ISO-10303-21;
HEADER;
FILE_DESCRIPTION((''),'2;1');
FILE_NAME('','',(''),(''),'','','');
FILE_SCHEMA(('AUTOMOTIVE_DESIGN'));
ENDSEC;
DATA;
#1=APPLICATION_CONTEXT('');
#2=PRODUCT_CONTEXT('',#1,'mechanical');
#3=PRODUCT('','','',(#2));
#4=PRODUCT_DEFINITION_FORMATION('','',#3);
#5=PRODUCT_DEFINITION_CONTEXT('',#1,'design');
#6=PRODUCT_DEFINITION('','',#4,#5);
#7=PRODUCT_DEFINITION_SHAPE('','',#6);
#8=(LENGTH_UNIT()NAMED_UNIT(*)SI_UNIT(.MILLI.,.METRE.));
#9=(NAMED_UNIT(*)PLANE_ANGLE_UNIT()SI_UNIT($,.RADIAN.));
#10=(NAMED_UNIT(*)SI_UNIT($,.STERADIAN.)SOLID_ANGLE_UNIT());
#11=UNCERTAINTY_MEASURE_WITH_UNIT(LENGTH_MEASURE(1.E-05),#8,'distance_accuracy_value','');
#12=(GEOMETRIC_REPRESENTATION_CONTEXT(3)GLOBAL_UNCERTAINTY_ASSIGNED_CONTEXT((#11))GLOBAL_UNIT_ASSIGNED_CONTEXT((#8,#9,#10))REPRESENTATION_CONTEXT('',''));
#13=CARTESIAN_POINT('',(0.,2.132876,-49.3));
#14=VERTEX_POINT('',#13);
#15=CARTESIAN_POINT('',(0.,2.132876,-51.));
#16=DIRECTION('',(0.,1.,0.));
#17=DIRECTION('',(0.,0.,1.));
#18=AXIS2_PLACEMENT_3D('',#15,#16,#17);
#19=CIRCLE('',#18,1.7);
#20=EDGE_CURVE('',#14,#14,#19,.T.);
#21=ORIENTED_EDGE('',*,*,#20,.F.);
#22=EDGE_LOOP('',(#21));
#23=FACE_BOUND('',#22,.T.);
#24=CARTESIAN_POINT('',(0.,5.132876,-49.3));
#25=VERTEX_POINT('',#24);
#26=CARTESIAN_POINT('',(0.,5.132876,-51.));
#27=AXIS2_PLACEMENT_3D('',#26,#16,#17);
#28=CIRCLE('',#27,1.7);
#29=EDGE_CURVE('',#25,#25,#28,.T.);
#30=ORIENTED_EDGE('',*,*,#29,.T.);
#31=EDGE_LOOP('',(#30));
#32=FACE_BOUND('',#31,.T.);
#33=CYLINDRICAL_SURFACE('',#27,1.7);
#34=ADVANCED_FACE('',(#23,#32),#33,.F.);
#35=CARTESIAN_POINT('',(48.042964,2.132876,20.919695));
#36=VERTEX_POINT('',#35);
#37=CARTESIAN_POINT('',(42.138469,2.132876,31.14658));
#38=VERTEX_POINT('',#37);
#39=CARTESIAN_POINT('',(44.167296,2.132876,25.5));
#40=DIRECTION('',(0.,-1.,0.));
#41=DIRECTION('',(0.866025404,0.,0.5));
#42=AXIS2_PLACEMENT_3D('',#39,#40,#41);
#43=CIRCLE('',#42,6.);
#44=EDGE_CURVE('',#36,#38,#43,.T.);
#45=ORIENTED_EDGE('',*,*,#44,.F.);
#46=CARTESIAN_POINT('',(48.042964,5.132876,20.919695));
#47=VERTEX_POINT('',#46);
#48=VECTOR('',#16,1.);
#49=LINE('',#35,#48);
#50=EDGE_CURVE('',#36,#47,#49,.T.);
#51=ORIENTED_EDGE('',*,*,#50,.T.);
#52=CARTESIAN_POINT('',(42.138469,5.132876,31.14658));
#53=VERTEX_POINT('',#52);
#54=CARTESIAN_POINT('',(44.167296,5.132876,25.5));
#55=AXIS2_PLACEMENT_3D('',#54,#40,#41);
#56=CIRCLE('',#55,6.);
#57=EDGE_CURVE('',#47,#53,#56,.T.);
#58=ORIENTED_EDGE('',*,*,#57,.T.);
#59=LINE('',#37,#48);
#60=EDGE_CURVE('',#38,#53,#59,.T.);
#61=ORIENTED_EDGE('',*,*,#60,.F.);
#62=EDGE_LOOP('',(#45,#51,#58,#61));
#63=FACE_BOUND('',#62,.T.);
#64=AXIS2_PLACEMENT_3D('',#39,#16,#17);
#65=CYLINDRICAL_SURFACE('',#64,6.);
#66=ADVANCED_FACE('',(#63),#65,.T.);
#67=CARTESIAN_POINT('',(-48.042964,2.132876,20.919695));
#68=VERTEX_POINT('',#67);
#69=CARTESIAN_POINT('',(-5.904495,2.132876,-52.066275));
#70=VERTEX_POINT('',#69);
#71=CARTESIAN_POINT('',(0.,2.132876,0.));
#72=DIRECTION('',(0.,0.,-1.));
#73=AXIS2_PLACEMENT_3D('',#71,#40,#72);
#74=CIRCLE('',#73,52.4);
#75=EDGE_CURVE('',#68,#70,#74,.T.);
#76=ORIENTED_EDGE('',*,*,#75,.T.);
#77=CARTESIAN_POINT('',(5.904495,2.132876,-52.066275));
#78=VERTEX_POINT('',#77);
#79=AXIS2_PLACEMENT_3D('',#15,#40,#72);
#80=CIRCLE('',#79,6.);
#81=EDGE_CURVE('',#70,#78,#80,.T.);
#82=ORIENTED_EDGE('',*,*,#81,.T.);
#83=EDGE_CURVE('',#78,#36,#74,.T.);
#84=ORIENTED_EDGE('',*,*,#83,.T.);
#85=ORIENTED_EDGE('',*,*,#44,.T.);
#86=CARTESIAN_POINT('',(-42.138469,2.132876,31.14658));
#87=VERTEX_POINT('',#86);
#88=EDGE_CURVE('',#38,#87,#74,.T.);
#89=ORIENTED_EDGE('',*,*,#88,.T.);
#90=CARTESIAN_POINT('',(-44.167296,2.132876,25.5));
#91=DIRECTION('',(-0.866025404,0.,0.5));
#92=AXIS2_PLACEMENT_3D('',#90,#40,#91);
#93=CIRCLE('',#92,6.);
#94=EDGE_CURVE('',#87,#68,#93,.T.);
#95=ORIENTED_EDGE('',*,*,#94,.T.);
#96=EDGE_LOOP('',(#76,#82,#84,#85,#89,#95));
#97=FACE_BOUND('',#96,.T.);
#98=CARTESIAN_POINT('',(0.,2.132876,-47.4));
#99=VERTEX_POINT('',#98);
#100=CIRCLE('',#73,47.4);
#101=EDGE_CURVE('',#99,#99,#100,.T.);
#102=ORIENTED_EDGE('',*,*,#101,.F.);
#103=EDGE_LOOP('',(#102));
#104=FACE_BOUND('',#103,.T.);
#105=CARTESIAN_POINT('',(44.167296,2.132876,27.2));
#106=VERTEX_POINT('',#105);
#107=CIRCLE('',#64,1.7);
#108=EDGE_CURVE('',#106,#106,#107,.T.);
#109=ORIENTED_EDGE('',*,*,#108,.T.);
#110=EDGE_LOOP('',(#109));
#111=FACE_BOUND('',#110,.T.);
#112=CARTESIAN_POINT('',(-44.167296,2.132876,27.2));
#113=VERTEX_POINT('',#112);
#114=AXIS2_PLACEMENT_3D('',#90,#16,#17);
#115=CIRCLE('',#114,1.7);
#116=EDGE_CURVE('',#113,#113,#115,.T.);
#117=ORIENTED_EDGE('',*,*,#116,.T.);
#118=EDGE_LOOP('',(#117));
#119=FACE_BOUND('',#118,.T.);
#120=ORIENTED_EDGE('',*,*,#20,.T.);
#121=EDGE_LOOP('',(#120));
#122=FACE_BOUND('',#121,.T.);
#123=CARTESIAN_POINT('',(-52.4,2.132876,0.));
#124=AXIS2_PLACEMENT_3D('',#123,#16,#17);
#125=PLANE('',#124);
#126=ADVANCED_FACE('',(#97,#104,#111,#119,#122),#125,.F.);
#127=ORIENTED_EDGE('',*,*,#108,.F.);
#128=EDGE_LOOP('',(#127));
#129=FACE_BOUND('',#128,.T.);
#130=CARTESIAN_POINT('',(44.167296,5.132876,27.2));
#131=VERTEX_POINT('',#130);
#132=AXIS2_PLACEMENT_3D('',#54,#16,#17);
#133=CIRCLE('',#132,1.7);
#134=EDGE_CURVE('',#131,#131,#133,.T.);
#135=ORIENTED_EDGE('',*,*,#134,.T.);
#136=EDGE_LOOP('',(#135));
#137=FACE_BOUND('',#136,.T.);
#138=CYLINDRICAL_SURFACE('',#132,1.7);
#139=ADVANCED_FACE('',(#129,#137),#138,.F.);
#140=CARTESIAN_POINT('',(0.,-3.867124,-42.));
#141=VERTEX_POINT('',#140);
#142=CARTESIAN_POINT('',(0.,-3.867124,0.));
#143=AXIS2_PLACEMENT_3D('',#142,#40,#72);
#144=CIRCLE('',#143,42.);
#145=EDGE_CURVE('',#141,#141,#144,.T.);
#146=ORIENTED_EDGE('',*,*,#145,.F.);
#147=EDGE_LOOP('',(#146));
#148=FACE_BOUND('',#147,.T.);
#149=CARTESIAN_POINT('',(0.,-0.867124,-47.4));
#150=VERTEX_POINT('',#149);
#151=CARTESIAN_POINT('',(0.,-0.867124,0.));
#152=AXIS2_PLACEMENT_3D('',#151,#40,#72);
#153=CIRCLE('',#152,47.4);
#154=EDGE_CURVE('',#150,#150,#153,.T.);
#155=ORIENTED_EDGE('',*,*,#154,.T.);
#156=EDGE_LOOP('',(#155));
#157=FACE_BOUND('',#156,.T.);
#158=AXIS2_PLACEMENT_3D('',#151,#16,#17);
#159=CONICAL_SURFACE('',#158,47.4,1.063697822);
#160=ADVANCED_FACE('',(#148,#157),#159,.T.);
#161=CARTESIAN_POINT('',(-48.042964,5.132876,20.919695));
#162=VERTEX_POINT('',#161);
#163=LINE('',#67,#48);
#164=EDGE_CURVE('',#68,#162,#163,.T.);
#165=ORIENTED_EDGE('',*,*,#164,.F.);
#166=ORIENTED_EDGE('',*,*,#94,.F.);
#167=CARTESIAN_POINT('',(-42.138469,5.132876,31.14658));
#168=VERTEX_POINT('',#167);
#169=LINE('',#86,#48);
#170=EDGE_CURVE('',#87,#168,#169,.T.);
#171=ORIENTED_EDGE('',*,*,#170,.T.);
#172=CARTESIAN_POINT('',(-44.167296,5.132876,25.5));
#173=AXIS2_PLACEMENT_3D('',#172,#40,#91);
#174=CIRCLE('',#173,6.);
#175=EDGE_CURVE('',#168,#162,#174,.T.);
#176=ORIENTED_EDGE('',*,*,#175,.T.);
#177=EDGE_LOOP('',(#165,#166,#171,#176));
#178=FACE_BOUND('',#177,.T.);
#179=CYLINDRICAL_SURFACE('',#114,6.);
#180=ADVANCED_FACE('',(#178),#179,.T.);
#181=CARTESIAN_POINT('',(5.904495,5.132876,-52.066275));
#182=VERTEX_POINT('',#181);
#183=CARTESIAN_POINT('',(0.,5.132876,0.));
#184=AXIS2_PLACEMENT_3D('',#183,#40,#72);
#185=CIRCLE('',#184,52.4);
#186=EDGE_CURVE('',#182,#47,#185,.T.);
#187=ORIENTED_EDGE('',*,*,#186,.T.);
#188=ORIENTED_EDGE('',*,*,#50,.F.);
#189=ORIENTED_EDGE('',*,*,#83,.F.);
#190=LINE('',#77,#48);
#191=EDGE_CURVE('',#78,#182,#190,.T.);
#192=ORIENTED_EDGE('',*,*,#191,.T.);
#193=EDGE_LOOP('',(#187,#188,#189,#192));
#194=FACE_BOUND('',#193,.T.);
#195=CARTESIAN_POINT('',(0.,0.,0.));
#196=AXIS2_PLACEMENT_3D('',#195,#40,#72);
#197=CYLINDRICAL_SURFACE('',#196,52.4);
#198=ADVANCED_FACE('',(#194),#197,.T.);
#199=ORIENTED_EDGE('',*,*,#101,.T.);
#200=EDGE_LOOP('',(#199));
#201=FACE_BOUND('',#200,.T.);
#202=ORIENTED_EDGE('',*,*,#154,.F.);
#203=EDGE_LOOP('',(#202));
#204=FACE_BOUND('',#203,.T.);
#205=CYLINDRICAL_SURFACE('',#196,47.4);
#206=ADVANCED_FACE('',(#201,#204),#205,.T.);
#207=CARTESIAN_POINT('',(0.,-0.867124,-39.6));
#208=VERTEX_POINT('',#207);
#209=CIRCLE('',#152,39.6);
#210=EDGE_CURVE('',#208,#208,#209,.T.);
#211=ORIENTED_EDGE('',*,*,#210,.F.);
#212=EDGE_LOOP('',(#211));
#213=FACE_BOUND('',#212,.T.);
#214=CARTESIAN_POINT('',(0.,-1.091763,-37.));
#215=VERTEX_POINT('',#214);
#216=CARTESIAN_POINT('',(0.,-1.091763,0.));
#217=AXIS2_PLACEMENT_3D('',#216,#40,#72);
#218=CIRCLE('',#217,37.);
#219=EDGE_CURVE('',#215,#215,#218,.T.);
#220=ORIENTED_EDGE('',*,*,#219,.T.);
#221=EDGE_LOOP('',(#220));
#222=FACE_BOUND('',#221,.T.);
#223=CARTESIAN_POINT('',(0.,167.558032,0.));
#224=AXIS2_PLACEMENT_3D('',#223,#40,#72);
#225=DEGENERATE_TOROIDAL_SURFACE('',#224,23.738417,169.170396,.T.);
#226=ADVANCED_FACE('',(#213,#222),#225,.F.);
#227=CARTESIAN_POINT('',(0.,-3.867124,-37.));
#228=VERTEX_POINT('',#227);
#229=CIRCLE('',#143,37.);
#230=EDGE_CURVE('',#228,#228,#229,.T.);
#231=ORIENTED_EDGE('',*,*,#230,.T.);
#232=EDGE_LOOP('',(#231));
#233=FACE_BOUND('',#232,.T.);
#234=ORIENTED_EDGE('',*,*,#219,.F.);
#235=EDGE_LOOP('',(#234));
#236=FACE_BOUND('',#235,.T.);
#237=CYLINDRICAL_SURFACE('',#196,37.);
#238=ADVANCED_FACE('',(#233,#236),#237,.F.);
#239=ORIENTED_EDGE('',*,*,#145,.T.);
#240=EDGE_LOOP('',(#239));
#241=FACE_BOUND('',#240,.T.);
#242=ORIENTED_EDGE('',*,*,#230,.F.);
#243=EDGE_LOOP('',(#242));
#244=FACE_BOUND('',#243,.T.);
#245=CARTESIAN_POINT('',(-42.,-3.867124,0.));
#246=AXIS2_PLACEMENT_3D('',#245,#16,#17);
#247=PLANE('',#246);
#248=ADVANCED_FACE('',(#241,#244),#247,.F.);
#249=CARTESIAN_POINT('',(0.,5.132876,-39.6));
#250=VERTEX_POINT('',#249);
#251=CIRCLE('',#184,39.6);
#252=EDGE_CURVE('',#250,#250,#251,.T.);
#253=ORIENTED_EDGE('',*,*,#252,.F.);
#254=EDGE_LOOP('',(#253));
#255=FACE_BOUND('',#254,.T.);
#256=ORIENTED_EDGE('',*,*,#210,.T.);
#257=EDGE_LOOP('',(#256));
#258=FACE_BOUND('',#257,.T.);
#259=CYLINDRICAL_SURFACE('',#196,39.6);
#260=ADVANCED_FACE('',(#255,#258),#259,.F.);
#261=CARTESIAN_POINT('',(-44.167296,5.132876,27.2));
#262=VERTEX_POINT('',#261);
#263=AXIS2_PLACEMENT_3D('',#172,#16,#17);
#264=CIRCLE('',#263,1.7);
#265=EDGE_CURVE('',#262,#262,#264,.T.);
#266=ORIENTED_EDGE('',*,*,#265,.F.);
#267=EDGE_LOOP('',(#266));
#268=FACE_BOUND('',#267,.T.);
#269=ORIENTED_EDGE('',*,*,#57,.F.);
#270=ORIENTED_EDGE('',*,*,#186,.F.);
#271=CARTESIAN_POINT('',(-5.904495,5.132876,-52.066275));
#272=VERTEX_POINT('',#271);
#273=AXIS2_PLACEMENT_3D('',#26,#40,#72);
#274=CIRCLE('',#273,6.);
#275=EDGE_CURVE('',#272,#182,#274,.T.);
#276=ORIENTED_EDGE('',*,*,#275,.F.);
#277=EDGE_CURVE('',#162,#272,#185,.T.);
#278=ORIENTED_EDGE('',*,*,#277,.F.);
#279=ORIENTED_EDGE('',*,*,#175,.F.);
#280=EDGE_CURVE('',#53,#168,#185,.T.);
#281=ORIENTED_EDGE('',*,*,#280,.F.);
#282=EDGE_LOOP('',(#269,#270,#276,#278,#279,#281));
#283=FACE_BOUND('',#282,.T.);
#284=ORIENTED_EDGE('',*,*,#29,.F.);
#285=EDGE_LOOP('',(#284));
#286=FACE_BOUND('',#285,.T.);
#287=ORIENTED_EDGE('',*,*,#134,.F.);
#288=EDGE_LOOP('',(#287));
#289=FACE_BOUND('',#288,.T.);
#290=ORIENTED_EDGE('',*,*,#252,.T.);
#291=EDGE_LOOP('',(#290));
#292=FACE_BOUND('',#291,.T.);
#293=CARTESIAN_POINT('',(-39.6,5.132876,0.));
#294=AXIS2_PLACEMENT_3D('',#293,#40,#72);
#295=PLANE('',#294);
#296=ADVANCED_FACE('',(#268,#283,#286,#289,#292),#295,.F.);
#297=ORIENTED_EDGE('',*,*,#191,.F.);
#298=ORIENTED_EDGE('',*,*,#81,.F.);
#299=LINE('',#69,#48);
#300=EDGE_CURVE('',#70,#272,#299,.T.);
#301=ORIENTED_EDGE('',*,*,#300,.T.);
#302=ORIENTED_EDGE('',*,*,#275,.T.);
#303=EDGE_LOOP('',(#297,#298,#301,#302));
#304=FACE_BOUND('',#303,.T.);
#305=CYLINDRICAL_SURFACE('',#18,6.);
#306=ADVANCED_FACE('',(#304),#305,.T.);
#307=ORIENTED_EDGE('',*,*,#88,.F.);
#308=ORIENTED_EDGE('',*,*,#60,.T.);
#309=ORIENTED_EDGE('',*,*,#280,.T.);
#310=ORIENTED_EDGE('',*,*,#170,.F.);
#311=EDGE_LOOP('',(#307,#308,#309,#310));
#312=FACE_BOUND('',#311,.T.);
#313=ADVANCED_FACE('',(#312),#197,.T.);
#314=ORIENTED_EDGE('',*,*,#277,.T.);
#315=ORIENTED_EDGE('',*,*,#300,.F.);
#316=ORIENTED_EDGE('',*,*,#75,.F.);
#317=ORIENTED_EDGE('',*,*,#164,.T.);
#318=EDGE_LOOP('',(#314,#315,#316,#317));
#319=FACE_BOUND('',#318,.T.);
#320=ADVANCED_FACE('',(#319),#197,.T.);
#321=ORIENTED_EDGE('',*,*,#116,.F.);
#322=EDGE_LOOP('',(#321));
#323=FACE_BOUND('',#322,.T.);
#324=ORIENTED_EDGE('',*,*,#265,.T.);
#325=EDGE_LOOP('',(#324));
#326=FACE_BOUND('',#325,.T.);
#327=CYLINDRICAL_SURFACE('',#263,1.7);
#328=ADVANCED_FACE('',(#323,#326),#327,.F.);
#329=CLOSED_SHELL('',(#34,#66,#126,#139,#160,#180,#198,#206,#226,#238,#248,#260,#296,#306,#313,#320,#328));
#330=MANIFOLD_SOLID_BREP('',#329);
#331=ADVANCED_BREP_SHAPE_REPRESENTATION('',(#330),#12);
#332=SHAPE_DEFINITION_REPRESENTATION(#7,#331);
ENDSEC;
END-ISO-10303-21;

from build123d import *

# Parameters (mm, degrees)
BOSS_EXTRU_2_DEPTH           = 3
D_GAGEMENT_M32_D             = 3.4
R_P_TITION_CIRCULAIRE1_COUNT = 3


with BuildPart() as part:
    # Esquisse1 → Révolution1 (revolve)
    with BuildSketch(Plane.XY, mode=Mode.PRIVATE) as r_volution1_sk:
        with BuildLine():
            Line((-39.6, 5.132876041), (-39.6, -0.867123959))
            ThreePointArc((-39.6, -0.867123959), (-38.300433177, -0.984457181), (-37, -1.091763109))
            Line((-37, -1.091763109), (-37, -3.867123959))
            Line((-37, -3.867123959), (-42, -3.867123959))
            Line((-42, -3.867123959), (-47.4, -0.867123959))
            Line((-47.4, -0.867123959), (-47.4, 2.132876041))
            Line((-47.4, 2.132876041), (-52.4, 2.132876041))
            Line((-52.4, 2.132876041), (-52.4, 5.132876041))
            Line((-52.4, 5.132876041), (-39.6, 5.132876041))
        make_face()
    revolve(r_volution1_sk.sketch.rotate(Axis((0, 0, 0), (0, 1, 0)), 270), axis=Axis((0, 0, 0), (0, 1, 0)))

    # Esquisse2 → Boss.-Extru.2 (add)
    with BuildSketch(Plane(origin=(0, 5.132876041, 0), x_dir=(1, 0, 0), z_dir=(0, 1, 0))):
        with BuildLine():
            Line((-5.904494785, 52.06627451), (0, 51))
            Line((0, 51), (5.904494785, 52.06627451))
            ThreePointArc((5.904494785, 52.06627451), (0, 57), (-5.904494785, 52.06627451))
        make_face()
    boss_extru_2 = extrude(amount=-BOSS_EXTRU_2_DEPTH)

    # Dégagement M32 (through all)
    with Locations(Plane(origin=(0, 5.132876041, 0), x_dir=(1, 0, 0), z_dir=(0, 1, 0))):
        with Locations((0, 51)):
            d_gagement_m32 = Hole(D_GAGEMENT_M32_D / 2)

    # Répétition circulaire1: Boss.-Extru.2, Dégagement M32 ×3 about axis
    r_p_tition_circulaire1_axis = Axis((0, 0, 0), (0, 1, 0))
    add([boss_extru_2.rotate(r_p_tition_circulaire1_axis, i * 360 / R_P_TITION_CIRCULAIRE1_COUNT) for i in range(1, R_P_TITION_CIRCULAIRE1_COUNT)])
    add([d_gagement_m32.rotate(r_p_tition_circulaire1_axis, i * 360 / R_P_TITION_CIRCULAIRE1_COUNT) for i in range(1, R_P_TITION_CIRCULAIRE1_COUNT)], mode=Mode.SUBTRACT)


solid = part.part
